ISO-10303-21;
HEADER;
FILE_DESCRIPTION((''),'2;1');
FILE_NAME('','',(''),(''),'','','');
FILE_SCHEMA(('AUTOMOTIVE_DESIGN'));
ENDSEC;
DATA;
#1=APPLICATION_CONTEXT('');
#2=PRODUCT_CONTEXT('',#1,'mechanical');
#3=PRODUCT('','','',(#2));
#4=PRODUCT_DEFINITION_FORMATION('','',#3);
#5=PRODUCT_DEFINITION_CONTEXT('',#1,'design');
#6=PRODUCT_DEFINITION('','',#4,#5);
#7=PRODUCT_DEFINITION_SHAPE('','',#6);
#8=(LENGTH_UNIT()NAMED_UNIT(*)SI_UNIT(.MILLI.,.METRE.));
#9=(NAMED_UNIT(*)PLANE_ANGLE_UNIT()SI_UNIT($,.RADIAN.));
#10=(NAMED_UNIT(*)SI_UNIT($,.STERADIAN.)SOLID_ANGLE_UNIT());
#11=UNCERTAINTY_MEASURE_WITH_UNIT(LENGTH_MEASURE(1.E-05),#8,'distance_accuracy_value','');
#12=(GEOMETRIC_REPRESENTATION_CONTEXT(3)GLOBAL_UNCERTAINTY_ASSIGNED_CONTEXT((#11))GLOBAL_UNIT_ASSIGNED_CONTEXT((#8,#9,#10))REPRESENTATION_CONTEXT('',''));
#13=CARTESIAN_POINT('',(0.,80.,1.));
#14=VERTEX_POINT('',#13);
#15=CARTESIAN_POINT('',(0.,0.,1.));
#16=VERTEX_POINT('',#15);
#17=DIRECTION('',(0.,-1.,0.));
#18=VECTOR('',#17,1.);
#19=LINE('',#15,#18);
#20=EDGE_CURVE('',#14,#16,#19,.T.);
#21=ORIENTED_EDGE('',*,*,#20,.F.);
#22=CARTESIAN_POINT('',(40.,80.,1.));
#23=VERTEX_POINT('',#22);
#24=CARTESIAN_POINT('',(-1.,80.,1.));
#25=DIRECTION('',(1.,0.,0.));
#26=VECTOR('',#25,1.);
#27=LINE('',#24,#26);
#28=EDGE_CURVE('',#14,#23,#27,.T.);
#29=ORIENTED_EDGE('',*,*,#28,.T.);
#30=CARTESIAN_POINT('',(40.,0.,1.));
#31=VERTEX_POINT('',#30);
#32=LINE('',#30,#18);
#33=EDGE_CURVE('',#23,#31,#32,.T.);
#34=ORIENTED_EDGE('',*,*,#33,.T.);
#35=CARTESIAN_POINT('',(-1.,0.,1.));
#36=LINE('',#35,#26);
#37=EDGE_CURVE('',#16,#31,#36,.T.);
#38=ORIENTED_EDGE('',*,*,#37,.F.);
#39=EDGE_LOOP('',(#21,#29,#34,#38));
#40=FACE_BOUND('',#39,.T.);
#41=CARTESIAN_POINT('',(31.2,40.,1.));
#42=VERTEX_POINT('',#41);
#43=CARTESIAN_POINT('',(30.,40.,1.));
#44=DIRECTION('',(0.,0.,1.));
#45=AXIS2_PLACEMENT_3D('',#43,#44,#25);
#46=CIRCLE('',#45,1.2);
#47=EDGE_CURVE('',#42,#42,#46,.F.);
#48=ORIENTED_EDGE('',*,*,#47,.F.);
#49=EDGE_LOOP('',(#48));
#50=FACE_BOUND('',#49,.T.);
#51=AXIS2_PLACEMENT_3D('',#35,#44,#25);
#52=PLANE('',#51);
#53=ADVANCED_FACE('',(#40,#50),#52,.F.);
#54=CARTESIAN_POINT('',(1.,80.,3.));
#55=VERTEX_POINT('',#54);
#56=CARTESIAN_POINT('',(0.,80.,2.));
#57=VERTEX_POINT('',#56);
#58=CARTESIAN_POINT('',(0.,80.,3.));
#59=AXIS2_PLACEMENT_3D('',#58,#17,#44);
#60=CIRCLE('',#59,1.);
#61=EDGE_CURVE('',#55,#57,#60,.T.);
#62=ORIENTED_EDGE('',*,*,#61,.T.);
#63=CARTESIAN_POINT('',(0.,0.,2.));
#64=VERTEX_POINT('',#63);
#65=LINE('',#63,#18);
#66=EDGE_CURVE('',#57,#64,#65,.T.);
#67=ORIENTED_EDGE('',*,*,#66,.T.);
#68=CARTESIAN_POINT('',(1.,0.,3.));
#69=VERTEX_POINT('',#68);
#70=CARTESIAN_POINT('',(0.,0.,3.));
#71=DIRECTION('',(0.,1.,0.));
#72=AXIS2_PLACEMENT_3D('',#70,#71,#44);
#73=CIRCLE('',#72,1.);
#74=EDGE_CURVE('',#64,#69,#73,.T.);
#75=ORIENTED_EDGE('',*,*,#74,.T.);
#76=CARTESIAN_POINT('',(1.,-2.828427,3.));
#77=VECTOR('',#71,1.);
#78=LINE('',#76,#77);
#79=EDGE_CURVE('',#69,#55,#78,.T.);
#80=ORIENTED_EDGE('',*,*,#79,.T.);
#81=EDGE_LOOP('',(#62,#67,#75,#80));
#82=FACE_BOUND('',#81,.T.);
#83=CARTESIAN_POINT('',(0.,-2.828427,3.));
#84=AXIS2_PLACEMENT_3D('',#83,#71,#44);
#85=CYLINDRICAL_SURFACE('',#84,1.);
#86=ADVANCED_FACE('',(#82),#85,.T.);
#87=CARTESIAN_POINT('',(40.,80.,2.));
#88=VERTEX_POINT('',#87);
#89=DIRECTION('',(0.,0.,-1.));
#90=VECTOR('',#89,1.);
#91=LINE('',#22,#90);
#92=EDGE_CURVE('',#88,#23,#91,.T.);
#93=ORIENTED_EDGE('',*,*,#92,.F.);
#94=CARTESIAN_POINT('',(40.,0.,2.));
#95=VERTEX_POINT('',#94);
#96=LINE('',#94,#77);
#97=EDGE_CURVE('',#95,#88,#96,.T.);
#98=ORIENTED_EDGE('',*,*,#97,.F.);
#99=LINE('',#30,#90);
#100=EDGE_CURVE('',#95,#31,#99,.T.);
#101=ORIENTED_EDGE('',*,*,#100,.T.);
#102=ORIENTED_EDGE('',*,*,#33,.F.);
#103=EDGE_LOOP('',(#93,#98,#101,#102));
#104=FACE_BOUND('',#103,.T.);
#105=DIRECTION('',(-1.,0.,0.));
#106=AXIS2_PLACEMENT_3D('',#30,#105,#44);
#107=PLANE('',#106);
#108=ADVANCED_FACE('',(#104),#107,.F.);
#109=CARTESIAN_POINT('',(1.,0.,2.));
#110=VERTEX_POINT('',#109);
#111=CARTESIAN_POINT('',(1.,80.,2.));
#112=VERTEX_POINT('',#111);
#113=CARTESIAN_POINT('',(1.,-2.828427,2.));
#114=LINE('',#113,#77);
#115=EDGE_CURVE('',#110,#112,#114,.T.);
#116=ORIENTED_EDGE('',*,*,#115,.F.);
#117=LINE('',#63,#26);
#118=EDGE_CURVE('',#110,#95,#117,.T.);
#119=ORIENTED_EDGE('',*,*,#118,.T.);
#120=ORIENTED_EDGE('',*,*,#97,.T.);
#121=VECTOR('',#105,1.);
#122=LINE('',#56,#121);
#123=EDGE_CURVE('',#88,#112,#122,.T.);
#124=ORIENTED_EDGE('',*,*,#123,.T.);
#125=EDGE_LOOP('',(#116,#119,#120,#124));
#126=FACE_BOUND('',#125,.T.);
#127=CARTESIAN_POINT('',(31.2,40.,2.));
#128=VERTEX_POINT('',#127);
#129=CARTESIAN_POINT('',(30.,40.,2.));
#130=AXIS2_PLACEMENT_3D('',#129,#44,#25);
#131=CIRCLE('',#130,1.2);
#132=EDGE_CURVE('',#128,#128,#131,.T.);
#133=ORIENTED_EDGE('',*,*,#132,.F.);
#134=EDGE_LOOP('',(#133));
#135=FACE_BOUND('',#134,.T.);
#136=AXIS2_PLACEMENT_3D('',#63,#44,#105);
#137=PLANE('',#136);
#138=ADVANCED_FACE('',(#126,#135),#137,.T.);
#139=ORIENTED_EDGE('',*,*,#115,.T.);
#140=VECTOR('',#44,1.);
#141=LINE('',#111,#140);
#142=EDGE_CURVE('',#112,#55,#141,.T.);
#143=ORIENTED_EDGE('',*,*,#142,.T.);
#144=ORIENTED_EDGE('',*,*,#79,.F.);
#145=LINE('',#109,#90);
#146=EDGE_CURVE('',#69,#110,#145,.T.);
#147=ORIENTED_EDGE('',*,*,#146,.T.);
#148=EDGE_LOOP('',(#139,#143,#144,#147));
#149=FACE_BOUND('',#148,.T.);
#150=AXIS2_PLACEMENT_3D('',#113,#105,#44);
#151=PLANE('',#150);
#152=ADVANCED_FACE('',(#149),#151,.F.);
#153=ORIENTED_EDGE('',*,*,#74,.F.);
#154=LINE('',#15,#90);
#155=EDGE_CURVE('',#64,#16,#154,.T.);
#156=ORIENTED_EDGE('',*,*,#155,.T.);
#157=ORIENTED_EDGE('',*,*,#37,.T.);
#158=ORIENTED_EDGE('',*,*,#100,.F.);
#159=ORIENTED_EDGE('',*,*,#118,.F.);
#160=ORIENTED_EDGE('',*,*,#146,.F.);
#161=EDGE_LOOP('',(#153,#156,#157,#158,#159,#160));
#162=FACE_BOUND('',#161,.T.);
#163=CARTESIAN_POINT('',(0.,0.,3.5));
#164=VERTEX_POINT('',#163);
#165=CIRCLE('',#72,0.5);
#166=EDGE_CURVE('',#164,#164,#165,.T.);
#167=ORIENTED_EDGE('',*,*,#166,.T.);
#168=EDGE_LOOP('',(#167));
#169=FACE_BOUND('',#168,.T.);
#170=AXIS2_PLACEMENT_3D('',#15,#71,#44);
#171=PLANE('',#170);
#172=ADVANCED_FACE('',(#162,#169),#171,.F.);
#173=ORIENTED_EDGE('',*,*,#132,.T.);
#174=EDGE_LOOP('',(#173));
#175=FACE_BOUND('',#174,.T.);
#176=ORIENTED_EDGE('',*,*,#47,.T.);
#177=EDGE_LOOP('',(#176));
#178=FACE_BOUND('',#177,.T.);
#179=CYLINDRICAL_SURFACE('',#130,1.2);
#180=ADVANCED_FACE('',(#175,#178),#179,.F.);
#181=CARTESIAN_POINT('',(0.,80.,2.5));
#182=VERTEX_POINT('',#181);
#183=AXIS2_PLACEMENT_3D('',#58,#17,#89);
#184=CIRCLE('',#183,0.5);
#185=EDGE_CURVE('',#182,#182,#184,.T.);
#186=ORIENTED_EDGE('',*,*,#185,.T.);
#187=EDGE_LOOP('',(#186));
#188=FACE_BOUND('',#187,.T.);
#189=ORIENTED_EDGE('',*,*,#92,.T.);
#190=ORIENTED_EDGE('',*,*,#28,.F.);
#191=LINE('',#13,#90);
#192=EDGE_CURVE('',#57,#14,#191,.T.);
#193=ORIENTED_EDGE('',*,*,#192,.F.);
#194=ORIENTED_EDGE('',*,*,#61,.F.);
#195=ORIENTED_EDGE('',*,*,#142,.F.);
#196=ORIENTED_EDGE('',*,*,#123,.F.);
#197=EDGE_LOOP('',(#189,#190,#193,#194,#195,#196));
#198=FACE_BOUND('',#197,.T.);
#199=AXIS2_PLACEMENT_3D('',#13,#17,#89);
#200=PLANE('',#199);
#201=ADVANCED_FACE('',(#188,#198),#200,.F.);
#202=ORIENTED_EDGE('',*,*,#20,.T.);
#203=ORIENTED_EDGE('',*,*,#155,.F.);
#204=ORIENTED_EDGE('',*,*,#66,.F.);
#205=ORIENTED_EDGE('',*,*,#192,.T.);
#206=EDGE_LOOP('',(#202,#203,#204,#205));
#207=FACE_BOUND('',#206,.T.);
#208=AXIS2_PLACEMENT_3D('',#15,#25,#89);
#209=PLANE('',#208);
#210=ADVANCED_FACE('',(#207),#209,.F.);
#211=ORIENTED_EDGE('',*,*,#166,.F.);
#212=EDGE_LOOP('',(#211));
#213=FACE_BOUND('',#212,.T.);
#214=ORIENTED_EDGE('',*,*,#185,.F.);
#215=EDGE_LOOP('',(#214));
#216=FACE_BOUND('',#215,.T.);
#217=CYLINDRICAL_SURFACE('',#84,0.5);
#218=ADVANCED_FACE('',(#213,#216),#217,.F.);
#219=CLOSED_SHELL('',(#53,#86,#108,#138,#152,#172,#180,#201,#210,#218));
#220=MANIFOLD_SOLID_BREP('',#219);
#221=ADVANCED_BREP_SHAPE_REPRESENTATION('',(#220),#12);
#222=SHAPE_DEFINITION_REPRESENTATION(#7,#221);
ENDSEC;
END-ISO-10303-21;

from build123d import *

# Parameters (mm, degrees)
ESQUISSE1_W             = 40
ESQUISSE1_H             = 80
BOSS_EXTRU_1_DEPTH      = 1
ESQUISSE2_R             = 0.5
BOSS_EXTRU_2_DEPTH      = 80
ESQUISSE3_W             = 3
ESQUISSE3_H             = 80
ENL_V_MAT_EXTRU_1_DEPTH = 90.98333179
D_GAGEMENT_M21_D        = 2.4


with BuildPart() as part:
    # Esquisse1 → Boss.-Extru.1 (new body)
    with BuildSketch(Plane.XY):
        with Locations((20, 40)):
            Rectangle(ESQUISSE1_W, ESQUISSE1_H)
    boss_extru_1 = extrude(amount=BOSS_EXTRU_1_DEPTH)

    # Esquisse2 → Boss.-Extru.2 (add)
    with BuildSketch(Plane(origin=(0, 80, 0), x_dir=(1, 0, 0), z_dir=(0, 1, 0))):
        with BuildLine():
            Line((1, 0), (1, 1))
            ThreePointArc((1, 1), (-0.707106781, 1.707106781), (0, 0))
            Line((0, 0), (1, 0))
        make_face()
        with Locations(Location((0, 1, 0), (0, 0, 270))):
            Circle(ESQUISSE2_R, mode=Mode.SUBTRACT)
    boss_extru_2 = extrude(amount=-BOSS_EXTRU_2_DEPTH)

    # Symétrie2: Boss.-Extru.1, Boss.-Extru.2 across plane
    add(boss_extru_1.mirror(Plane.XY.offset(1)))
    add(boss_extru_2.mirror(Plane.XY.offset(1)))

    # Esquisse3 → Enlèv. mat.-Extru.1 (cut, through all)
    with BuildSketch(Plane(origin=(40, 0, 0), x_dir=(0, 0, -1), z_dir=(1, 0, 0))):
        with Locations((0.5, 40)):
            Rectangle(ESQUISSE3_W, ESQUISSE3_H)
    extrude(amount=-ENL_V_MAT_EXTRU_1_DEPTH, mode=Mode.SUBTRACT)

    # Dégagement M21 (through all)
    with Locations(Plane.XY.offset(2)):
        with Locations((30, 40)):
            Hole(D_GAGEMENT_M21_D / 2)


solid = part.part
